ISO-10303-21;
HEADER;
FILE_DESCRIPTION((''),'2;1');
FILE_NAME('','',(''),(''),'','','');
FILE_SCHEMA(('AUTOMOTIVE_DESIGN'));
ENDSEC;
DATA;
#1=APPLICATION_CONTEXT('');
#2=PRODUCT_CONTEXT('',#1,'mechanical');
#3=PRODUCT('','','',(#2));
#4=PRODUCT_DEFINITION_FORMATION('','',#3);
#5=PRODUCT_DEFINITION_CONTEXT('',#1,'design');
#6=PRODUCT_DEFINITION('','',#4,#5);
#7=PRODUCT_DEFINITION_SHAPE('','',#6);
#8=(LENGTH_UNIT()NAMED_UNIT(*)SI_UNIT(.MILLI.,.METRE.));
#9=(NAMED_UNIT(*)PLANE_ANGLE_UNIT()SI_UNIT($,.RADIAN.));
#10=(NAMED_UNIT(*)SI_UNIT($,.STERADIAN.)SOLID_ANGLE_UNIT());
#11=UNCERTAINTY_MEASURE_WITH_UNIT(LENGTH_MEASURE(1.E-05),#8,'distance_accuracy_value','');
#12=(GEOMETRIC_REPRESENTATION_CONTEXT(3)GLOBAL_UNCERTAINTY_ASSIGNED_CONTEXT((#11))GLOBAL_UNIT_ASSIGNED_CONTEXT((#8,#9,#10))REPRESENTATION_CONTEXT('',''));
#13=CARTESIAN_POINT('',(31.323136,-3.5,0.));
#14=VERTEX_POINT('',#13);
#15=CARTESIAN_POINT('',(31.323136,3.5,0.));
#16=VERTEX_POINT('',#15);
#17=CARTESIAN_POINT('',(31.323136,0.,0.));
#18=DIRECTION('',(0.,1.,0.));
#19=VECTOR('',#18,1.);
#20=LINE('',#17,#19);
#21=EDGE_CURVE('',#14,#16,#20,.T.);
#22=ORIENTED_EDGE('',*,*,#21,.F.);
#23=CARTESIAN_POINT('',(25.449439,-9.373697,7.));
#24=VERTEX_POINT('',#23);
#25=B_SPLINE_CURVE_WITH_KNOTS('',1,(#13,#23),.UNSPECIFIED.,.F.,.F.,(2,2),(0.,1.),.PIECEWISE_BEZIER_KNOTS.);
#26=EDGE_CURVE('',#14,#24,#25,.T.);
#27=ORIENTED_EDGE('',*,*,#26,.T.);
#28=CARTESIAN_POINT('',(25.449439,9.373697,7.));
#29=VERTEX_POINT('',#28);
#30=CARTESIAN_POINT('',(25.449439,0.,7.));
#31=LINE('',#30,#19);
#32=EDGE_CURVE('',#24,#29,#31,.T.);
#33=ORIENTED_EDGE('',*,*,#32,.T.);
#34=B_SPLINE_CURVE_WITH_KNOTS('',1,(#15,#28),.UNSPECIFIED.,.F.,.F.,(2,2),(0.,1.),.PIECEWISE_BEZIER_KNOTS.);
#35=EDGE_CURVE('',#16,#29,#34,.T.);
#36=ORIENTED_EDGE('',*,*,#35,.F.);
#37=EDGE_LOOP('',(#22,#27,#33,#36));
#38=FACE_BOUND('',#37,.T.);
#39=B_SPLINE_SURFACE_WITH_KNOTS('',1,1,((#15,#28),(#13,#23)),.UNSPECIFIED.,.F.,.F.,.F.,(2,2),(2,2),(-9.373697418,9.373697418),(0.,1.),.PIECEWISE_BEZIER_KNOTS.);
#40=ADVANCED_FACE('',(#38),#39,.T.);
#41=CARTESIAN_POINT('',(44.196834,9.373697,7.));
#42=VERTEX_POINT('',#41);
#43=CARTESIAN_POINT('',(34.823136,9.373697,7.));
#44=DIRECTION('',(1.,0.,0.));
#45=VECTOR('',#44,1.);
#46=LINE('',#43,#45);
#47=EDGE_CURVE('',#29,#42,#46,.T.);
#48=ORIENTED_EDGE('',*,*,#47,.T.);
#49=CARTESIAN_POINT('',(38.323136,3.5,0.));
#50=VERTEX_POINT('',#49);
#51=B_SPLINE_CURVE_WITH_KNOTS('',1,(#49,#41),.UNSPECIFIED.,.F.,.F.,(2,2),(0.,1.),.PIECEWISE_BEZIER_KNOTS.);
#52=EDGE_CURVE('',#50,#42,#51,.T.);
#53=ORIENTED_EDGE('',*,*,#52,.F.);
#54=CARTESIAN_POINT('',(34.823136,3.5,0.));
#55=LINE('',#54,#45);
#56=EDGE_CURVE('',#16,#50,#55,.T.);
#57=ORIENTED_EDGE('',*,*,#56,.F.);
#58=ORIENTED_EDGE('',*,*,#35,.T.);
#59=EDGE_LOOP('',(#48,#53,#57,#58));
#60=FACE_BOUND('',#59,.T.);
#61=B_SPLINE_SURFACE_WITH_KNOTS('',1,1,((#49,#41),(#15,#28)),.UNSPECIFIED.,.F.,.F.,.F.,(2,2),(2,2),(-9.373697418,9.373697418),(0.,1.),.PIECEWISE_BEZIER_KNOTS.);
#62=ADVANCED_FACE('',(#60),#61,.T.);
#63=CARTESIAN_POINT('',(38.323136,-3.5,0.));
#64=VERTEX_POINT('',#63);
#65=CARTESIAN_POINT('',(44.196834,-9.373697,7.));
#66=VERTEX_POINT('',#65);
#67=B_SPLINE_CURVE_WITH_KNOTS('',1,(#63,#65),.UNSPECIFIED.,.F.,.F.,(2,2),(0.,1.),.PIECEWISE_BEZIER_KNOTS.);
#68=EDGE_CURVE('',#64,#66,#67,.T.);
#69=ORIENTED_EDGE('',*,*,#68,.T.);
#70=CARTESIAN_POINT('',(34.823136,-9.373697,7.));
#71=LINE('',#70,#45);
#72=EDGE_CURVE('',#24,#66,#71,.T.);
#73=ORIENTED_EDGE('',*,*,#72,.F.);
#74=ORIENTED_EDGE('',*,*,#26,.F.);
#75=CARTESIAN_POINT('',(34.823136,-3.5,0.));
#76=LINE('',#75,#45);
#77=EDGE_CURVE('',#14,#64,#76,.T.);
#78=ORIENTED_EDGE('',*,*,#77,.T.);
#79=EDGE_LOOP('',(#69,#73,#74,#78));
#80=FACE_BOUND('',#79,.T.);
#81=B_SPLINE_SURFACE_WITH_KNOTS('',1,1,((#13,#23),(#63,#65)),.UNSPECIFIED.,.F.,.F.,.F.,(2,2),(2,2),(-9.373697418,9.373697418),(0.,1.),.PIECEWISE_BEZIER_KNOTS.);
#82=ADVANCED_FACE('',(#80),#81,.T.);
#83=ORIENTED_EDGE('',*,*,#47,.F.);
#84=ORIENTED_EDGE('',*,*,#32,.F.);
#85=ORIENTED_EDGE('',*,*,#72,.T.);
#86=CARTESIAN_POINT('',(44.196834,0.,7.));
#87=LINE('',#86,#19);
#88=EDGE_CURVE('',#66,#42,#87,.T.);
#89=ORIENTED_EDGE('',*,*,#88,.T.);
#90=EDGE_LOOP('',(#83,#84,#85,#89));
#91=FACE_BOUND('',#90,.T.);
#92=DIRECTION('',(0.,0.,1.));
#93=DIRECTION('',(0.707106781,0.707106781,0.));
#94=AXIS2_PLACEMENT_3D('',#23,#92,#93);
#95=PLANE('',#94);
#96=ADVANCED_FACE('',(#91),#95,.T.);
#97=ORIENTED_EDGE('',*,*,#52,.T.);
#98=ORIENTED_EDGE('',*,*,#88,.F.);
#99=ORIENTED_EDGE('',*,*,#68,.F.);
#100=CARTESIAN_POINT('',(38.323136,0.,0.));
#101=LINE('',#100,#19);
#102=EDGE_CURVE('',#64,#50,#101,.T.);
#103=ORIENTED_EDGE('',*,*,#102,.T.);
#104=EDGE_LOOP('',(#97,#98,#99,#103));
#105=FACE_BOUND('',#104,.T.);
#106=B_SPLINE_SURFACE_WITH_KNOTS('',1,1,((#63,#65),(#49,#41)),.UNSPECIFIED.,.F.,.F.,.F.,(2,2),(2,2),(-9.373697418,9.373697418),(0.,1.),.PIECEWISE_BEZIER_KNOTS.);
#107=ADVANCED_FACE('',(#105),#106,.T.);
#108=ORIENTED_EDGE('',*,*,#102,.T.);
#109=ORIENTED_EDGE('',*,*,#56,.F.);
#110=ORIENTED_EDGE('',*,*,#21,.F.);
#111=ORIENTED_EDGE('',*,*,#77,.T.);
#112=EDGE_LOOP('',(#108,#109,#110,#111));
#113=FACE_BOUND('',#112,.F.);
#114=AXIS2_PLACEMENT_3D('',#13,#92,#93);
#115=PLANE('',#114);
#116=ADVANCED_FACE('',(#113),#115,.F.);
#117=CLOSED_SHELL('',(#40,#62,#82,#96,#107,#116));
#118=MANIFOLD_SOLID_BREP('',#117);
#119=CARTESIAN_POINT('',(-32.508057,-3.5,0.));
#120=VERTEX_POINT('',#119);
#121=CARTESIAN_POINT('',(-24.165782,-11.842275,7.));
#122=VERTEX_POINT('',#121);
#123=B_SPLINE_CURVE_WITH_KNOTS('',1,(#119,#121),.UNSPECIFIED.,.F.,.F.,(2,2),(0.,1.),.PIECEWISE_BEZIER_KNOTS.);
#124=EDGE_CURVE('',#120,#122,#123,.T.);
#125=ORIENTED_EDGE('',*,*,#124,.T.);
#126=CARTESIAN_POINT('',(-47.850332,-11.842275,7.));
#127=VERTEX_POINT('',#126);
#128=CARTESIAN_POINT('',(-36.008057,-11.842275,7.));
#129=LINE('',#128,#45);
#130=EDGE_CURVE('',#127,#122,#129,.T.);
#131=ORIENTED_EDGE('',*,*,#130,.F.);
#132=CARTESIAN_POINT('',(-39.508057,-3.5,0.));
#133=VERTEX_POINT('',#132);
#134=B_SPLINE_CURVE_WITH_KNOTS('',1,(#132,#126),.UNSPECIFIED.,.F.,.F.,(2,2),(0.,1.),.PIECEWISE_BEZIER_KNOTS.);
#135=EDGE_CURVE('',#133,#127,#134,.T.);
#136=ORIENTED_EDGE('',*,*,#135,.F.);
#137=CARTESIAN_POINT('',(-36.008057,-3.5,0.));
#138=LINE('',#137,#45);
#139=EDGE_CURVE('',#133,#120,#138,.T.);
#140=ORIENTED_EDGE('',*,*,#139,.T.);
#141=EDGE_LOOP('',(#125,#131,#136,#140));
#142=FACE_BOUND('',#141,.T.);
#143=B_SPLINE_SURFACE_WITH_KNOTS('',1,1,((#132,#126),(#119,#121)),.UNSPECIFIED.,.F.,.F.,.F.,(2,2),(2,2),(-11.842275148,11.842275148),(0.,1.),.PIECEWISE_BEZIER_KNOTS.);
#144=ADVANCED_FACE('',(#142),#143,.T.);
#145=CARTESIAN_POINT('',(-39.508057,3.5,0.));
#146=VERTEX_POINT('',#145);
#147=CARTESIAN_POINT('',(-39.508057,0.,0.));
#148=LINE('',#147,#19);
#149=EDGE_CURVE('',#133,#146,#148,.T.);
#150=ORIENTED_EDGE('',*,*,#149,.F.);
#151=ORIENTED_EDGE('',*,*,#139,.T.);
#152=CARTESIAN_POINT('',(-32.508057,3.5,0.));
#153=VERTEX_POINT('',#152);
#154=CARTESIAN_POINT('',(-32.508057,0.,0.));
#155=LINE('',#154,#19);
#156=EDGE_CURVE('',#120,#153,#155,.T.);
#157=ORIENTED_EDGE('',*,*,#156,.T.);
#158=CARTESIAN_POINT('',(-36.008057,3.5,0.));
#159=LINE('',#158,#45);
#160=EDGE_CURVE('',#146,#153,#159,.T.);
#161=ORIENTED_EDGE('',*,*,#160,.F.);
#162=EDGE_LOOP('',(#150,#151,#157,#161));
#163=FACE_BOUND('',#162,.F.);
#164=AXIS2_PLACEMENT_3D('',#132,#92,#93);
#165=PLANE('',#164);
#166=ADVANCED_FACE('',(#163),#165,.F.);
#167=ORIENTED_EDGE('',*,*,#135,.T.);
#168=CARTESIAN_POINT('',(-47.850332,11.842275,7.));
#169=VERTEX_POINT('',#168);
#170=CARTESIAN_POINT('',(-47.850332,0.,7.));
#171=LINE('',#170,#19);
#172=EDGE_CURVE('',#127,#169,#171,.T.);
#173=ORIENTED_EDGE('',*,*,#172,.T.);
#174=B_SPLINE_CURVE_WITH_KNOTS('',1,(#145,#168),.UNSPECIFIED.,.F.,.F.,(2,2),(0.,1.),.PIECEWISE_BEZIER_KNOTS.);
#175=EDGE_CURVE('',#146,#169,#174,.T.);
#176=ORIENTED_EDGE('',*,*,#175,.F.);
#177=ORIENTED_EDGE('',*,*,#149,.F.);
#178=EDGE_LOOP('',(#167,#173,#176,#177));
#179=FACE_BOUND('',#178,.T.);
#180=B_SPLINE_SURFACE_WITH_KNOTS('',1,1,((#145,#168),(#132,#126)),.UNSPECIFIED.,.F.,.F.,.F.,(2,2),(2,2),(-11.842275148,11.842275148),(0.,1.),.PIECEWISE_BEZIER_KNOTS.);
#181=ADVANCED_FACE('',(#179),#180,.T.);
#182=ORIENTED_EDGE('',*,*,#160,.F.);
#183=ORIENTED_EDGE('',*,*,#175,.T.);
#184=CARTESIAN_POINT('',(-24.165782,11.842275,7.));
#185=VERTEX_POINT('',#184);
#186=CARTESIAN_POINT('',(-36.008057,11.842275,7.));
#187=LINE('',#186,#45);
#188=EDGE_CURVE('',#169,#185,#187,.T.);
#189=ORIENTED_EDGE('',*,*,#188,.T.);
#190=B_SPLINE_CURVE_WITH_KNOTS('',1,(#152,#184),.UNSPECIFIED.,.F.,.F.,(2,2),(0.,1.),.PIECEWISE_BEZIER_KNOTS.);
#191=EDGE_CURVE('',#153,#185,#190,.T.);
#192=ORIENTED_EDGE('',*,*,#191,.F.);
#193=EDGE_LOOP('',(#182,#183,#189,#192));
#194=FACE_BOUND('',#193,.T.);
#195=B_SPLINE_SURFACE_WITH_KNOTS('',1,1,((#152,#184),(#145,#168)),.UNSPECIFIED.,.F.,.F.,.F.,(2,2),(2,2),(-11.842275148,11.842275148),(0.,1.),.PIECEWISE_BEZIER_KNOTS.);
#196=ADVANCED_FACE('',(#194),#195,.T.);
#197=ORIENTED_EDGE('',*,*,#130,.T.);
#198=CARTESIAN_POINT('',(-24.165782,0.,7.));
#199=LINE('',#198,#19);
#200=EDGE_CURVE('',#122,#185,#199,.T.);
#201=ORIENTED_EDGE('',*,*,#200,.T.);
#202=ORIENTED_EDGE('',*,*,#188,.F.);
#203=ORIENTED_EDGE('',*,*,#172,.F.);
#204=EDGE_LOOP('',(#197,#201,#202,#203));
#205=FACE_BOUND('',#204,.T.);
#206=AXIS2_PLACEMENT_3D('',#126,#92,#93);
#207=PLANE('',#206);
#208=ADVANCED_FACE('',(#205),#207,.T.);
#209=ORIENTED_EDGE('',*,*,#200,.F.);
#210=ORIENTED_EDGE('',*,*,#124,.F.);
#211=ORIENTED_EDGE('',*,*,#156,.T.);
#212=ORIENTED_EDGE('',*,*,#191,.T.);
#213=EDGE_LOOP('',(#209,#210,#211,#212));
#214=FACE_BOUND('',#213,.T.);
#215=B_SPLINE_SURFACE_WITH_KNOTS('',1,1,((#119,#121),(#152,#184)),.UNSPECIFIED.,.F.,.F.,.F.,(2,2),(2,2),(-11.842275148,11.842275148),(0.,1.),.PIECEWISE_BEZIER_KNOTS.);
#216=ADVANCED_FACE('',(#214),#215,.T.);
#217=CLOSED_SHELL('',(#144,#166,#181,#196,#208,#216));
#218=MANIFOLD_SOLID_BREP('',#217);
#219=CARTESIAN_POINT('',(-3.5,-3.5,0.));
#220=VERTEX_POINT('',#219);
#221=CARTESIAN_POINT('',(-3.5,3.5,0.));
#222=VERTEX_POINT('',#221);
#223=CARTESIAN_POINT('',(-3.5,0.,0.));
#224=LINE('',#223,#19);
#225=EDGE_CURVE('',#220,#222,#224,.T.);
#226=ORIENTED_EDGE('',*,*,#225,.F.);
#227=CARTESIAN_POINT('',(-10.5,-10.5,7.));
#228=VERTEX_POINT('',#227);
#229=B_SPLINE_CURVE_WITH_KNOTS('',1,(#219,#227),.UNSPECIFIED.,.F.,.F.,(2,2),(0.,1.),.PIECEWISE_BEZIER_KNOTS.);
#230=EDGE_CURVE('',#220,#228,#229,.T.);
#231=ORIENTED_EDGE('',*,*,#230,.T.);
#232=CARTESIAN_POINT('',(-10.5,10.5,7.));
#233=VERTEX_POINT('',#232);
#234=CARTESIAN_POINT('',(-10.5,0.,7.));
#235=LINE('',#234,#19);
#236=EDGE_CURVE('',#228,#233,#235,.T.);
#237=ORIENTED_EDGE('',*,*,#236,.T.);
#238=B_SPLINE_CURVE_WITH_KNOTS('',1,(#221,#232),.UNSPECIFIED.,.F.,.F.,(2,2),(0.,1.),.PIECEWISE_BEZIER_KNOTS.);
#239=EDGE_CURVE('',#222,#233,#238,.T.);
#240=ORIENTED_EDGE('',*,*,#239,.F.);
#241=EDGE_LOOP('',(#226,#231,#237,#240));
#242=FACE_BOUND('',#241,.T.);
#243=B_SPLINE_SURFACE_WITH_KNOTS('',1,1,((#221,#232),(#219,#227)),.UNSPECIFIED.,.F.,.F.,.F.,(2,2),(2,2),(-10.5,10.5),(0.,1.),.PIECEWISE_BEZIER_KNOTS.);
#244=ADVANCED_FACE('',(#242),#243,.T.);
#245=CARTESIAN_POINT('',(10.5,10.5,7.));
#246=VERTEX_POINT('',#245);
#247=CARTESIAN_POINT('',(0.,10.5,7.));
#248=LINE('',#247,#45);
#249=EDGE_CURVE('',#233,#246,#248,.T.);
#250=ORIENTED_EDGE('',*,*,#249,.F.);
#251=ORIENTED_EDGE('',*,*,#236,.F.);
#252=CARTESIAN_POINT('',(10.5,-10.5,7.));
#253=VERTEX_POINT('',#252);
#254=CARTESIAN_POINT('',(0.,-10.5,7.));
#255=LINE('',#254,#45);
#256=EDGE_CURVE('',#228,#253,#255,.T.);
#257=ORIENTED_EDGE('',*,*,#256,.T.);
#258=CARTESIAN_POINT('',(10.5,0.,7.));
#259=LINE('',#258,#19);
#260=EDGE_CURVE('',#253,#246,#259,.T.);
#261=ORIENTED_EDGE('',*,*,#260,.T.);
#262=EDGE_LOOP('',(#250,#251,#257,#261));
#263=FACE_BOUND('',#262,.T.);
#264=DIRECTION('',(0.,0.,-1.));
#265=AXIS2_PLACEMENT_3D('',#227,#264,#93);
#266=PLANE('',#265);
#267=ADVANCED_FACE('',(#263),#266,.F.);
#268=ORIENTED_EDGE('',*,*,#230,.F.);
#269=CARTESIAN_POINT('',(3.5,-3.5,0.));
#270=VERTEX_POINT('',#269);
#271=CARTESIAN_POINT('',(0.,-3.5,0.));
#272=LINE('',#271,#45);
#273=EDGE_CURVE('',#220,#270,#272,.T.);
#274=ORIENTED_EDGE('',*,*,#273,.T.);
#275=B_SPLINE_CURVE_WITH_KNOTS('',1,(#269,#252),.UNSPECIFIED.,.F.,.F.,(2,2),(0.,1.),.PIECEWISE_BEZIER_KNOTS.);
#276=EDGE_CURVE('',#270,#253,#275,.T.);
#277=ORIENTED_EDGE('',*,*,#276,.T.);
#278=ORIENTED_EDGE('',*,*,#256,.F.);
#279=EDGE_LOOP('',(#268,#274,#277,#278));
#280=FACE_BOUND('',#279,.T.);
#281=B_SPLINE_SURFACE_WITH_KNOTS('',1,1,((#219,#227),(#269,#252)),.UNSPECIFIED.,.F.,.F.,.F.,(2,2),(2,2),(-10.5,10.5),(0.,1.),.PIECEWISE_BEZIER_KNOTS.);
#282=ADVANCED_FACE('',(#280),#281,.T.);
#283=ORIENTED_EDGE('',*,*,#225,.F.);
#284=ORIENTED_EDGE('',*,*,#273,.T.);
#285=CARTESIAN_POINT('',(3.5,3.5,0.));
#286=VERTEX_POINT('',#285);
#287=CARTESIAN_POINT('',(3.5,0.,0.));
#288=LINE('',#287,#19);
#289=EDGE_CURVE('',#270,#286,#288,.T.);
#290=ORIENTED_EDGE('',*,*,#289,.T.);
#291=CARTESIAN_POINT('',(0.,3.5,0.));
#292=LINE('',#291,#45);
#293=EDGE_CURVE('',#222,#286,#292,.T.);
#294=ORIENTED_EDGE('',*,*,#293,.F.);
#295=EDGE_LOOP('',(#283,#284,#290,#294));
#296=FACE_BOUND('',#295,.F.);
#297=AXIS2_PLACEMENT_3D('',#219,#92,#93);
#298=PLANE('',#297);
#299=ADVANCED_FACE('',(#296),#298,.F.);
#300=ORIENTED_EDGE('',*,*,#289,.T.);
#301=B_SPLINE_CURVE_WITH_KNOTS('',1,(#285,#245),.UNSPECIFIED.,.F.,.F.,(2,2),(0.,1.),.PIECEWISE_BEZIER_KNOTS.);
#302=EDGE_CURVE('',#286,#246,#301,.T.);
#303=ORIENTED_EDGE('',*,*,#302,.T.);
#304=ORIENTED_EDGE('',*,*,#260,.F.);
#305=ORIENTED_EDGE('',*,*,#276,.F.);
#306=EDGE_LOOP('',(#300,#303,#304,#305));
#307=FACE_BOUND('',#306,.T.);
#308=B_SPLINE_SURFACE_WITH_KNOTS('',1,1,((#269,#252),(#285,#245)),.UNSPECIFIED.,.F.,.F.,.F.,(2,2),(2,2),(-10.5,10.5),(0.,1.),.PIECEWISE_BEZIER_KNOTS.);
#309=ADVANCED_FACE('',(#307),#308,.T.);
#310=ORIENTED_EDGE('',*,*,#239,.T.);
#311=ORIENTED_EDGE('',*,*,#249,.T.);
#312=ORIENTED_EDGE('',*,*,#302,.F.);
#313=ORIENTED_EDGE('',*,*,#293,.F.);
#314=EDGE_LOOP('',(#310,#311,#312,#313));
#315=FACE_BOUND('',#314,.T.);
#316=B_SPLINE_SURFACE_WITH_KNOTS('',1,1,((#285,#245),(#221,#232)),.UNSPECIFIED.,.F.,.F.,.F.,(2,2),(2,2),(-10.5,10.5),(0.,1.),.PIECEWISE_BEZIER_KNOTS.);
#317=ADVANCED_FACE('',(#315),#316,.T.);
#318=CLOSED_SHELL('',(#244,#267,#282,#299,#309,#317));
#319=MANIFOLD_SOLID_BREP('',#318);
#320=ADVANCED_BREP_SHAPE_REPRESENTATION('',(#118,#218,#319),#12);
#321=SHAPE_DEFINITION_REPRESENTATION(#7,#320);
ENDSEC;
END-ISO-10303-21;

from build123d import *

# Parameters (mm, degrees)
F0_W     = 7
F0_H     = 7
F1_DEPTH = 7
F1_TAPER = -45
F2_W     = 7
F2_H     = 7
F3_DEPTH = 7
F3_TAPER = -50
F4_W     = 7
F4_H     = 7
F5_DEPTH = 7
F5_TAPER = -40


with BuildPart() as f1:
    # F0 (on Top) → F1 (new body)
    with BuildSketch(Plane.XY):
        Rectangle(F0_W, F0_H)
    extrude(amount=F1_DEPTH, taper=F1_TAPER)


with BuildPart() as f3:
    # F2 (on Top) → F3 (new body)
    with BuildSketch(Plane.XY):
        with Locations((-36.0080571588, 0)):
            Rectangle(F2_W, F2_H)
    extrude(amount=F3_DEPTH, taper=F3_TAPER)


with BuildPart() as f5:
    # F4 (on Top) → F5 (new body)
    with BuildSketch(Plane.XY):
        with Locations((34.8231363494, 0)):
            Rectangle(F4_W, F4_H)
    extrude(amount=F5_DEPTH, taper=F5_TAPER)


solid = Compound([f1.part, f3.part, f5.part])
